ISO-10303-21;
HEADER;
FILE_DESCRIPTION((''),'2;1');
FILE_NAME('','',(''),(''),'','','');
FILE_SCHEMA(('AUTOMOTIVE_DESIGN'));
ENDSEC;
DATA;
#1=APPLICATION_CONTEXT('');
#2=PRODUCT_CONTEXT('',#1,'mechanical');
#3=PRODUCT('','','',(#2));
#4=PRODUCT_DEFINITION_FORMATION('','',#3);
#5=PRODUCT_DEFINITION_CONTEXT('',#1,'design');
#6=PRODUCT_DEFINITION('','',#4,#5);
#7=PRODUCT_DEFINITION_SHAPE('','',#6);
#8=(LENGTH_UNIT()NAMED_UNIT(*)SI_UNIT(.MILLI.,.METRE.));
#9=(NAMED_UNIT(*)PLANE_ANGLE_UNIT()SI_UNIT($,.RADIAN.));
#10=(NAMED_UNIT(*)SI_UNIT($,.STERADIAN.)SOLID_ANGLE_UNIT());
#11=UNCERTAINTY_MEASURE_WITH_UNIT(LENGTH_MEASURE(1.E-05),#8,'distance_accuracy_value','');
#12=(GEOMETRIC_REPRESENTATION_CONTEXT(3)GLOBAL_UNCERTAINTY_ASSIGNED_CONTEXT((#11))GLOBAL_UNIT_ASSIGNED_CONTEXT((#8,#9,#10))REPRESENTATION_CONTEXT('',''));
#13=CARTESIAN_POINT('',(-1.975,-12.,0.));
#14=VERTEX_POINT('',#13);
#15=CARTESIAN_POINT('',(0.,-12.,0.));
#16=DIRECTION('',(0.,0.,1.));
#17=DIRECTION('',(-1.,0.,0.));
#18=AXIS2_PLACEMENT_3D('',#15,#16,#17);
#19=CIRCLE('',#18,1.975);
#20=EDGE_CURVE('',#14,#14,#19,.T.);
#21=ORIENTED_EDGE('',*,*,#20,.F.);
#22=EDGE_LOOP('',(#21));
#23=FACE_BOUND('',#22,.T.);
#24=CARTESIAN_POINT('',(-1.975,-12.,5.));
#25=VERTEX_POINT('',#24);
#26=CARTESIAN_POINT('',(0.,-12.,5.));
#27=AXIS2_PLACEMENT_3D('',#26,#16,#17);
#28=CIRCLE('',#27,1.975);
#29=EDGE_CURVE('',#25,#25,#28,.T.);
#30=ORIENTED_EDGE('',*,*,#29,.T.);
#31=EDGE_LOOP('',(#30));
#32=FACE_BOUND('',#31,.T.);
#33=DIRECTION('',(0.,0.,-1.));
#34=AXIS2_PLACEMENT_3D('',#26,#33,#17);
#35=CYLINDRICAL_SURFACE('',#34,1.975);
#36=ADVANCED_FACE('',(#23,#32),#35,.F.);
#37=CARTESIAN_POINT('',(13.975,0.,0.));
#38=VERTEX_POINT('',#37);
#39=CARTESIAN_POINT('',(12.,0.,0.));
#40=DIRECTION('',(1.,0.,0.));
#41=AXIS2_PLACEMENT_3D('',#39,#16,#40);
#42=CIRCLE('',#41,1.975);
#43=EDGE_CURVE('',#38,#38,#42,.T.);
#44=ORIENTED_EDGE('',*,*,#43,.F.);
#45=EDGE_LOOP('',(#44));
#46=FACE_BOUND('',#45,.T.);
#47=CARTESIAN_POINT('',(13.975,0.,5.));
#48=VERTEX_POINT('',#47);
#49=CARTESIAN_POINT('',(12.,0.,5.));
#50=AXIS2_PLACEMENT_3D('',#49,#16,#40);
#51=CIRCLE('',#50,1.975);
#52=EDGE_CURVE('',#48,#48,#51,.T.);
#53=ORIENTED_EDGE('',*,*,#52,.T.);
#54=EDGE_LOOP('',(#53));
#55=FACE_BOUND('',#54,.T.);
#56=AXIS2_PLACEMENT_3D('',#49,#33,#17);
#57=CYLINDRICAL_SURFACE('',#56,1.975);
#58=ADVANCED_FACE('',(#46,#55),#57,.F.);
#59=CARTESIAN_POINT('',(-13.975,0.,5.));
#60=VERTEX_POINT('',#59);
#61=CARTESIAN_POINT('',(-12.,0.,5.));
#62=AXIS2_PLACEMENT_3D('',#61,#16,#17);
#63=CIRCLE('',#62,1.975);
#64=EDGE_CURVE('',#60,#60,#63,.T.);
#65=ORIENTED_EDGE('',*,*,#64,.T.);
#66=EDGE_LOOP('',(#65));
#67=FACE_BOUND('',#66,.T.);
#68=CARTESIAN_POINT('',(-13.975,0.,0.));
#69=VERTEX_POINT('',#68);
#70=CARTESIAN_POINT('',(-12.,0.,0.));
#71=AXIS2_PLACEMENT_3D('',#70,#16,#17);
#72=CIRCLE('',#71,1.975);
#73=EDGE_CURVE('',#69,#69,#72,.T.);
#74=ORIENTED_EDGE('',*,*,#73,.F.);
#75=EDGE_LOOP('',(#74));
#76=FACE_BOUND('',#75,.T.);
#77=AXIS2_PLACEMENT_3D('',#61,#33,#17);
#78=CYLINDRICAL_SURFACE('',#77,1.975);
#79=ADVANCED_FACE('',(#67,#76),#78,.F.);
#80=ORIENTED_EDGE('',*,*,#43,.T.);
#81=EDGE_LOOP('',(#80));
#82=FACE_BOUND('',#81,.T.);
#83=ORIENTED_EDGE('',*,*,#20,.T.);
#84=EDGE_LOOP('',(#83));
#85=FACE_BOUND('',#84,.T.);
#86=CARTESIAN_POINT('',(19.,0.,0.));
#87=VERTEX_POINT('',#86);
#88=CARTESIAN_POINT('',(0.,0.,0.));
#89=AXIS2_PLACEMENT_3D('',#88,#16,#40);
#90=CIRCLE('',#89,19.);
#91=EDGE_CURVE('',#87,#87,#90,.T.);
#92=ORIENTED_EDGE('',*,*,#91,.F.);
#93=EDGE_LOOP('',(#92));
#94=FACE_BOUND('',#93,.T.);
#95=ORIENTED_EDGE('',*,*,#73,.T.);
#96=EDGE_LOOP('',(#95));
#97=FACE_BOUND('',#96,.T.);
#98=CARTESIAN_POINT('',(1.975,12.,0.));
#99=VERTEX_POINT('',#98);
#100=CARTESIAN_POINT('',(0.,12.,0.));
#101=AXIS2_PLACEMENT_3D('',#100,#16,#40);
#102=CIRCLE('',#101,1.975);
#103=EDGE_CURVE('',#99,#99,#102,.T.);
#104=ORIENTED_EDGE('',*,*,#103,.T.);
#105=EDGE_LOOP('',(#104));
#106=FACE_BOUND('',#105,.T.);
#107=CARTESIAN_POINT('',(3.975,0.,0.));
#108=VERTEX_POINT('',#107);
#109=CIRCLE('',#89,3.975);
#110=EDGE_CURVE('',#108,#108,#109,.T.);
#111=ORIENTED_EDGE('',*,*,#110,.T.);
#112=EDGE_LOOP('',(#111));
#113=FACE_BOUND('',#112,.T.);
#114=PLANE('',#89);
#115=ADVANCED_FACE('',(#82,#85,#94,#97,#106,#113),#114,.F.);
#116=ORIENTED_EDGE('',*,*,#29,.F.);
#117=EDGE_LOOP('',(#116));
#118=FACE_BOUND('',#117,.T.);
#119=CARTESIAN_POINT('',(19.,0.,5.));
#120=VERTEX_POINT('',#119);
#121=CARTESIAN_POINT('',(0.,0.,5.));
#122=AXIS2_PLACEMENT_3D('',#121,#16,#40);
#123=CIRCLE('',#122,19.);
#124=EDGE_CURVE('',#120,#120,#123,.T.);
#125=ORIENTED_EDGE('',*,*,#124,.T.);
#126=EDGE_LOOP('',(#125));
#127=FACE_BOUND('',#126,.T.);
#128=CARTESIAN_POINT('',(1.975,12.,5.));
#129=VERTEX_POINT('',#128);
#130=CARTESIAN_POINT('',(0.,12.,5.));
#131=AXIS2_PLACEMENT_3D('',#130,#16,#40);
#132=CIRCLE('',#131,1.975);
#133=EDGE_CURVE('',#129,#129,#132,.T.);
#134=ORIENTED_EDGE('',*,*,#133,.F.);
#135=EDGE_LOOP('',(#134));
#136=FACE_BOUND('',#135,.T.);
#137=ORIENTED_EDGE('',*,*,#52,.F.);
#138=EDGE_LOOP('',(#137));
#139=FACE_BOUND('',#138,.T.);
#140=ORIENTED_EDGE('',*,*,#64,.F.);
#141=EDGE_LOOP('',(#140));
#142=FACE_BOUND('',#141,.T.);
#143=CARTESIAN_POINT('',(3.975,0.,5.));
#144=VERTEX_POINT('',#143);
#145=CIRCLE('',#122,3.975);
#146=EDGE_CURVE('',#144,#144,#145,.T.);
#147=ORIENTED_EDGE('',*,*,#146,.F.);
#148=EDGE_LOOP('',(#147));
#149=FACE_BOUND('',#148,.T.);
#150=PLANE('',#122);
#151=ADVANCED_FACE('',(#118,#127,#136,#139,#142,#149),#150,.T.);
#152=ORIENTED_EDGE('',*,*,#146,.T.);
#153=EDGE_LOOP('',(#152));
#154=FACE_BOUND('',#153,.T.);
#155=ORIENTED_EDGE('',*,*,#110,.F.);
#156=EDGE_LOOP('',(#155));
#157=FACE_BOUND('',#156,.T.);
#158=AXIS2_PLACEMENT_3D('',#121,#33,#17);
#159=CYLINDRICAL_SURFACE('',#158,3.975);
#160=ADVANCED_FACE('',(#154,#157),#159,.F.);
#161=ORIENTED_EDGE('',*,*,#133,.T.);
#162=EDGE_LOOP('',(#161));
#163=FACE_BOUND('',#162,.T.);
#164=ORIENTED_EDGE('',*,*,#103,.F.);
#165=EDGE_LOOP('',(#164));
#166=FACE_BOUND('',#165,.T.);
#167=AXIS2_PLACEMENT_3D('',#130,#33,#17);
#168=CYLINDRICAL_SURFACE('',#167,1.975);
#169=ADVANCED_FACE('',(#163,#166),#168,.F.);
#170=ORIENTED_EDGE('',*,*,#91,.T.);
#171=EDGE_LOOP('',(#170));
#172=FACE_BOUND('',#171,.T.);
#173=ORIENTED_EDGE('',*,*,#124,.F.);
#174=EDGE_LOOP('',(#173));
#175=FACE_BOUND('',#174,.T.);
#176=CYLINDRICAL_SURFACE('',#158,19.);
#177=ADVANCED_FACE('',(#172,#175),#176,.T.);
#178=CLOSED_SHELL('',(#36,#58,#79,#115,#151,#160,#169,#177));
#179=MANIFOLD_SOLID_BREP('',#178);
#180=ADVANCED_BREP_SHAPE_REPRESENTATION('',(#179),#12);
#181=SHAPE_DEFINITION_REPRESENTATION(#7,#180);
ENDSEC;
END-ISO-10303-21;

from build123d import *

# Parameters (mm, degrees)
SKETCH1_R           = 19
SKETCH1_R_2         = 1.975
SKETCH1_R_3         = 3.975
BOSS_EXTRUDE1_DEPTH = 5


with BuildPart() as part:
    # Sketch1 → Boss-Extrude1 (new body)
    with BuildSketch(Plane.XY):
        Circle(SKETCH1_R)
        with Locations((0, 12)):
            Circle(SKETCH1_R_2, mode=Mode.SUBTRACT)
        with Locations((0, -12)):
            Circle(SKETCH1_R_2, mode=Mode.SUBTRACT)
        with Locations((12, 0)):
            Circle(SKETCH1_R_2, mode=Mode.SUBTRACT)
        with Locations((-12, 0)):
            Circle(SKETCH1_R_2, mode=Mode.SUBTRACT)
        Circle(SKETCH1_R_3, mode=Mode.SUBTRACT)
    extrude(amount=BOSS_EXTRUDE1_DEPTH)


solid = part.part
